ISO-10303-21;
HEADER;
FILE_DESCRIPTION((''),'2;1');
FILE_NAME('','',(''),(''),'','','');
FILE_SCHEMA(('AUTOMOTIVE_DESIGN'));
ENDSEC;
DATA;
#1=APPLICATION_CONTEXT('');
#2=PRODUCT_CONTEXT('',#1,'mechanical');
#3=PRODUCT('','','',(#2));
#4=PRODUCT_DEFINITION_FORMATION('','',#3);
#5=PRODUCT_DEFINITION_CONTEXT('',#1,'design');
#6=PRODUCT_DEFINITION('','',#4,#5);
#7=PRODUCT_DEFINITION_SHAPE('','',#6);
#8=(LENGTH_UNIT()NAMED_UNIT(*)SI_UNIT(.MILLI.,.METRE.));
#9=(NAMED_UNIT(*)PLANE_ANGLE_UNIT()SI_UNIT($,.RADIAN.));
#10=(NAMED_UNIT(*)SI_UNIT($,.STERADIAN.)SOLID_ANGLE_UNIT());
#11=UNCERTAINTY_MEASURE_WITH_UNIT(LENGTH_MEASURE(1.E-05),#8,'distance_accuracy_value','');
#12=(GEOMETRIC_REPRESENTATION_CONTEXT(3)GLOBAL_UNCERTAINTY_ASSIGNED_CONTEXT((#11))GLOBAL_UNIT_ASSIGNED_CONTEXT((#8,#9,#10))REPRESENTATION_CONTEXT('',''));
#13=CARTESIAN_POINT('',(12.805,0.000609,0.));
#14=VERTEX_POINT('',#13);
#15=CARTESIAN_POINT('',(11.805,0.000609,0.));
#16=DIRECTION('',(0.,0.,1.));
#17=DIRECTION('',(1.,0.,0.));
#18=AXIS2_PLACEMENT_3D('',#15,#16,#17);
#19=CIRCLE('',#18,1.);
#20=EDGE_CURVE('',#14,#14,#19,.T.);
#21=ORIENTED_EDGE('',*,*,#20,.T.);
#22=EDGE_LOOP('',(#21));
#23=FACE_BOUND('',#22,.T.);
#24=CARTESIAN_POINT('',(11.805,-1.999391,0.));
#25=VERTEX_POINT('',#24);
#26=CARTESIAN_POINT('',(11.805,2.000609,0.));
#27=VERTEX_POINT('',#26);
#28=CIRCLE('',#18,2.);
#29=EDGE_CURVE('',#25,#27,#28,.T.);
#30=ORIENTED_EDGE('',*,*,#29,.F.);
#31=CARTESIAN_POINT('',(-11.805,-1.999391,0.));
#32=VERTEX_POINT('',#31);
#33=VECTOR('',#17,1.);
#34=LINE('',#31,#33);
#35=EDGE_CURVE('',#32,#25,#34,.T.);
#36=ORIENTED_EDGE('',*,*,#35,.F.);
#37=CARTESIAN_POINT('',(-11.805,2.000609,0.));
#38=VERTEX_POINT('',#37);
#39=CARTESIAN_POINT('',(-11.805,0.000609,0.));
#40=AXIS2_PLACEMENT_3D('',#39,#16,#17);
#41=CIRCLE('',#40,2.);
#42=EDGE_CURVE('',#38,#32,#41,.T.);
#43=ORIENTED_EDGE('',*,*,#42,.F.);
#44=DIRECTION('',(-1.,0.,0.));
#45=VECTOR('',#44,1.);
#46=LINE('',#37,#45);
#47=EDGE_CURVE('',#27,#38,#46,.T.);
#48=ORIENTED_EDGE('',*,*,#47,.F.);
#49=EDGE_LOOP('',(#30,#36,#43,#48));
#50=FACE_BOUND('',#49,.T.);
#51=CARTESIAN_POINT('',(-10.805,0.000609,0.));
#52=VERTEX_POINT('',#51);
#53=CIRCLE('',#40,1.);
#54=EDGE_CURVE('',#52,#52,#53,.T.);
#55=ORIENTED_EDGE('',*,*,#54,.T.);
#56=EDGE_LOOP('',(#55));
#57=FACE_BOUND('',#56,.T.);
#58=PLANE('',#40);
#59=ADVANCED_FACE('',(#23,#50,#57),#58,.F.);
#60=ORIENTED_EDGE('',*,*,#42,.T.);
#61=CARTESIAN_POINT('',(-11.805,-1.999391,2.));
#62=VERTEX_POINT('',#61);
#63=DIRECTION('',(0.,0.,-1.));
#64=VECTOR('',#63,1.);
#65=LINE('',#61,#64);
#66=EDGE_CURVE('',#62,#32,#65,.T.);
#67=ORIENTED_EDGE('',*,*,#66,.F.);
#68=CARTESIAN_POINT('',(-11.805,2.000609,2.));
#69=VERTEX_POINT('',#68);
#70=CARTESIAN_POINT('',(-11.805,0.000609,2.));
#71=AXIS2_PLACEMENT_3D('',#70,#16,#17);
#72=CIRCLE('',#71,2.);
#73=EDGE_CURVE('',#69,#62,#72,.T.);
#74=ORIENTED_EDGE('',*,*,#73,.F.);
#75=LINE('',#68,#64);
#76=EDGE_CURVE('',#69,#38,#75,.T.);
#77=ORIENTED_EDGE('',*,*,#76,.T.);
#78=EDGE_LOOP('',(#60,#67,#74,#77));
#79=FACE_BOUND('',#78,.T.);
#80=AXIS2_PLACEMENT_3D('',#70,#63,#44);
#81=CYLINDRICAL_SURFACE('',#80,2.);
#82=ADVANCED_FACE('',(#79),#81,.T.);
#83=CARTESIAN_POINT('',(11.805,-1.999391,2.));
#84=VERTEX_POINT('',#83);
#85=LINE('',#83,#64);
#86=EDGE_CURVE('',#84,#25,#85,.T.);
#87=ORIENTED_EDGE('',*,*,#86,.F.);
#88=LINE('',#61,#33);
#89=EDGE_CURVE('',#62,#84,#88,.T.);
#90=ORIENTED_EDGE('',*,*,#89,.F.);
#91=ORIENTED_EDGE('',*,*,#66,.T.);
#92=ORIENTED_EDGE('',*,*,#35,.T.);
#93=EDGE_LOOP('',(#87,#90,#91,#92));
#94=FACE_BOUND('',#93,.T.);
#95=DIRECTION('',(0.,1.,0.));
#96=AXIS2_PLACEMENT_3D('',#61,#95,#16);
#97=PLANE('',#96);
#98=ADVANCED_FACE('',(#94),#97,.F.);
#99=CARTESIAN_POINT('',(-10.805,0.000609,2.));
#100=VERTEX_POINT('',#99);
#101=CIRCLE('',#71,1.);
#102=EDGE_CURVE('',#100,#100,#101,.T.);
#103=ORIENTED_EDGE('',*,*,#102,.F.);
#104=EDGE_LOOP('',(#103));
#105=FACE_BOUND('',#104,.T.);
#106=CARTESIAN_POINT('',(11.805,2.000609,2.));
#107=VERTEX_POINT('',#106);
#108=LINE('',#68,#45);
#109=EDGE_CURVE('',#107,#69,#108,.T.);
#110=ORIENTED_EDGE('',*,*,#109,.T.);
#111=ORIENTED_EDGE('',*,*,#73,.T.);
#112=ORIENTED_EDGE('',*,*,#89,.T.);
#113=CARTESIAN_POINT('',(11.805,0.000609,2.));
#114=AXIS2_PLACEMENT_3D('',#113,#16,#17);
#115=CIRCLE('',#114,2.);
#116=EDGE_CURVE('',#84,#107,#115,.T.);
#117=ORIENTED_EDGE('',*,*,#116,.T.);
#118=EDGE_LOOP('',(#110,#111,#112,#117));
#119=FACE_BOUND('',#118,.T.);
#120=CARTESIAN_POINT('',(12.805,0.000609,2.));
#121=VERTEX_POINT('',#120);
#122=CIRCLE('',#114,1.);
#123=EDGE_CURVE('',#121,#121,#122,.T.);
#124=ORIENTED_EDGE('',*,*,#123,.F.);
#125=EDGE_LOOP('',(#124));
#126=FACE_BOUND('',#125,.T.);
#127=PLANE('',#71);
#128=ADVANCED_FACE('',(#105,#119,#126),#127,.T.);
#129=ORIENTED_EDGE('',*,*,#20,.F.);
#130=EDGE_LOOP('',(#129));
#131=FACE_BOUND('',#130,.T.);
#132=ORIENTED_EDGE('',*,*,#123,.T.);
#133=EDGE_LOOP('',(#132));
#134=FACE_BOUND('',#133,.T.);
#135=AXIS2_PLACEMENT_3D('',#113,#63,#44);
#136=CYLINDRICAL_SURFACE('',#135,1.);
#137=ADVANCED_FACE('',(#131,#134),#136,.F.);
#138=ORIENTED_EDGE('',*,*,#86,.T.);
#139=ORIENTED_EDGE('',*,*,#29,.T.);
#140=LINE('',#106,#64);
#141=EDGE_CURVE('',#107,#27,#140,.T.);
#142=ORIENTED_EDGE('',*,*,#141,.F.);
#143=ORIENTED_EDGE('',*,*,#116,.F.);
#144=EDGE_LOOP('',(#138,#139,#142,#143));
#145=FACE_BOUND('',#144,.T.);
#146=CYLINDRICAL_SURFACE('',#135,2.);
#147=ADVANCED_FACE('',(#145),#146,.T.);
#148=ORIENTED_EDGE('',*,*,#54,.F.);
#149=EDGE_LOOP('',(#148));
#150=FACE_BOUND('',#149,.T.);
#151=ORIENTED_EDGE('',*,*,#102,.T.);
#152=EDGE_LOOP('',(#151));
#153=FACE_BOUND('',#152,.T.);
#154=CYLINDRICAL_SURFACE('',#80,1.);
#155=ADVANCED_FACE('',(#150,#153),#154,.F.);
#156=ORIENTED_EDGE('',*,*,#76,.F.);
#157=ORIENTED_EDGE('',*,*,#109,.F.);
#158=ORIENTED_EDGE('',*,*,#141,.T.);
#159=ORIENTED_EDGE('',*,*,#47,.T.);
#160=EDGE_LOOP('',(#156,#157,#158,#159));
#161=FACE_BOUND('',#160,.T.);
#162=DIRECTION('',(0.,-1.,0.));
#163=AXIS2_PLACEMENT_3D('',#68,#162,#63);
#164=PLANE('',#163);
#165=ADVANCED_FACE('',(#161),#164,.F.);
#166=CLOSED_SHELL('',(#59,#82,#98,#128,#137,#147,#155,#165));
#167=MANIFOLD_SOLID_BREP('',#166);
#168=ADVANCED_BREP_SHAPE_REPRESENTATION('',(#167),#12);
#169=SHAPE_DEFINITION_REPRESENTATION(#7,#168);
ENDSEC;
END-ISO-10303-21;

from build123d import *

# Parameters (mm, degrees)
SKETCH_1_R      = 1
EXTRUDE_1_DEPTH = 2


with BuildPart() as part:
    # 草圖1 → 填料-伸長1 (new body)
    with BuildSketch(Plane.XY):
        with BuildLine():
            Line((-11.804999984, 2.000609109), (11.805000016, 2.000609109))
            ThreePointArc((11.805000016, 2.000609109), (13.805000016, 0.000609109), (11.805000016, -1.999390891))
            Line((11.805000016, -1.999390891), (-11.804999984, -1.999390891))
            ThreePointArc((-11.804999984, -1.999390891), (-13.804999984, 0.000609109), (-11.804999984, 2.000609109))
        make_face()
        with Locations((-11.804999984, 0.000609109)):
            Circle(SKETCH_1_R, mode=Mode.SUBTRACT)
        with Locations((11.805000016, 0.000609109)):
            Circle(SKETCH_1_R, mode=Mode.SUBTRACT)
    extrude(amount=EXTRUDE_1_DEPTH)


solid = part.part
